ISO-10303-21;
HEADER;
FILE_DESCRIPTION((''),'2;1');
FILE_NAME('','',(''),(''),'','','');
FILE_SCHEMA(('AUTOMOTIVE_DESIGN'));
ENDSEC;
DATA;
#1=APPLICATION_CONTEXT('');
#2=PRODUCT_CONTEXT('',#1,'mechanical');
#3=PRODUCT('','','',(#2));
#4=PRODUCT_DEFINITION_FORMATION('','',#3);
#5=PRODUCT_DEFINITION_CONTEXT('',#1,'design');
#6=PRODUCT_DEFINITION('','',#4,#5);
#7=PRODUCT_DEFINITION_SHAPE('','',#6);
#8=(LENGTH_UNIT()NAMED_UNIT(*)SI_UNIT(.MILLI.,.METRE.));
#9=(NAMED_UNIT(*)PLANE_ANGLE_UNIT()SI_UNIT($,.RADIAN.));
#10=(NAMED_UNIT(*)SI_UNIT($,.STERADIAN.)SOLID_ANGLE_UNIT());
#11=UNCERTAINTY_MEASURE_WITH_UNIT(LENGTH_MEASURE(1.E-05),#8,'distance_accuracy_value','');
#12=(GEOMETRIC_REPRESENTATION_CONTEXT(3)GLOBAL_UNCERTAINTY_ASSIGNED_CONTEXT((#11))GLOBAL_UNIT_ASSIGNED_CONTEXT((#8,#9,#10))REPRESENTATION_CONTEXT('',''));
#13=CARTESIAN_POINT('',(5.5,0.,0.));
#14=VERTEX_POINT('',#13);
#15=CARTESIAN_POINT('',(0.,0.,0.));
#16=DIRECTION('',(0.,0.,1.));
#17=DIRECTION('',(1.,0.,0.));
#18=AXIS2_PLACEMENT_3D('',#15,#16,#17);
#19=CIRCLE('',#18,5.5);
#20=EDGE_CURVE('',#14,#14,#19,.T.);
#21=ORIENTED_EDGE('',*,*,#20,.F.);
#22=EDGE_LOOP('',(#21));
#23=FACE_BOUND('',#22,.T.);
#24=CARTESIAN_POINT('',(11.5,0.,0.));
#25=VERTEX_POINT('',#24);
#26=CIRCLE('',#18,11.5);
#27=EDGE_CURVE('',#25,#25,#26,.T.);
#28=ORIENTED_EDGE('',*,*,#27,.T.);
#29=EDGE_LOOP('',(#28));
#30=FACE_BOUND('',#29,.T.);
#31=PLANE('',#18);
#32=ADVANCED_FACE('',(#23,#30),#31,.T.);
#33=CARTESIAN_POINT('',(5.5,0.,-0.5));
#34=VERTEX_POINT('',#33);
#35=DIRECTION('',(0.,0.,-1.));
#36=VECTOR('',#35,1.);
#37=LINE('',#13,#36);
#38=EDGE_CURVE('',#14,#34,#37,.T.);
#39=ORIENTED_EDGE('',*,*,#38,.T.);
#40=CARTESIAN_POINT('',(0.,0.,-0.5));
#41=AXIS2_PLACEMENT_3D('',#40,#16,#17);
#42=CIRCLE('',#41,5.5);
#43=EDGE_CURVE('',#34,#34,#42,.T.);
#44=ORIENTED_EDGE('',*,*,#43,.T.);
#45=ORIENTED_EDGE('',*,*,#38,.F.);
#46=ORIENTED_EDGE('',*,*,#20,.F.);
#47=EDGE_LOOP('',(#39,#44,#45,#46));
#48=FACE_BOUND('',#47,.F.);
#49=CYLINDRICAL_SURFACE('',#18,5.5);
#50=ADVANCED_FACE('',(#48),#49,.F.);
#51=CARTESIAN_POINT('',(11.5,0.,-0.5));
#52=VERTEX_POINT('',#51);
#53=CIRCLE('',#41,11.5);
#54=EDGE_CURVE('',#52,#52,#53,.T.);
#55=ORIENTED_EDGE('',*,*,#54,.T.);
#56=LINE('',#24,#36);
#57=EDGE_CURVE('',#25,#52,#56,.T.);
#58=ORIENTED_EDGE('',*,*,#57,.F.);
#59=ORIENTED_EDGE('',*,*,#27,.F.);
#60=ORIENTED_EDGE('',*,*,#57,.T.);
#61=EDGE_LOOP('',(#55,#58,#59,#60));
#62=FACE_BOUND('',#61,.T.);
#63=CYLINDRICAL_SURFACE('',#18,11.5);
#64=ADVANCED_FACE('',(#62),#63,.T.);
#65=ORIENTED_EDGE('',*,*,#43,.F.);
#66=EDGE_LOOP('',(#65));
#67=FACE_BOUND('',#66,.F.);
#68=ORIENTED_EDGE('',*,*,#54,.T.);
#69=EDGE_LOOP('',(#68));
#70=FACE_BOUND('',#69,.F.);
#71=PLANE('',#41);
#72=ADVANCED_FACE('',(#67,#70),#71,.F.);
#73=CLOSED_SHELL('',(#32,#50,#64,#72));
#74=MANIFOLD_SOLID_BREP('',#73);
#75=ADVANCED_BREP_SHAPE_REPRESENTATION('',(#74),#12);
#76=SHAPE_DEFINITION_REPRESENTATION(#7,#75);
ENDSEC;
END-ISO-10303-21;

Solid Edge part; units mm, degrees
sketch "Sketch1" plane through (0, 0, 0) normal (0, 0, 1) x (1, 0, 0)
  circle A0 centre (0, 0) radius 5.5
  circle A1 centre (0, 0) radius 11.5
  dimension "D1" = 11
  dimension "D2" = 23
extrude "Protrusion1" add sketch "Sketch1" against normal blind 0.5
